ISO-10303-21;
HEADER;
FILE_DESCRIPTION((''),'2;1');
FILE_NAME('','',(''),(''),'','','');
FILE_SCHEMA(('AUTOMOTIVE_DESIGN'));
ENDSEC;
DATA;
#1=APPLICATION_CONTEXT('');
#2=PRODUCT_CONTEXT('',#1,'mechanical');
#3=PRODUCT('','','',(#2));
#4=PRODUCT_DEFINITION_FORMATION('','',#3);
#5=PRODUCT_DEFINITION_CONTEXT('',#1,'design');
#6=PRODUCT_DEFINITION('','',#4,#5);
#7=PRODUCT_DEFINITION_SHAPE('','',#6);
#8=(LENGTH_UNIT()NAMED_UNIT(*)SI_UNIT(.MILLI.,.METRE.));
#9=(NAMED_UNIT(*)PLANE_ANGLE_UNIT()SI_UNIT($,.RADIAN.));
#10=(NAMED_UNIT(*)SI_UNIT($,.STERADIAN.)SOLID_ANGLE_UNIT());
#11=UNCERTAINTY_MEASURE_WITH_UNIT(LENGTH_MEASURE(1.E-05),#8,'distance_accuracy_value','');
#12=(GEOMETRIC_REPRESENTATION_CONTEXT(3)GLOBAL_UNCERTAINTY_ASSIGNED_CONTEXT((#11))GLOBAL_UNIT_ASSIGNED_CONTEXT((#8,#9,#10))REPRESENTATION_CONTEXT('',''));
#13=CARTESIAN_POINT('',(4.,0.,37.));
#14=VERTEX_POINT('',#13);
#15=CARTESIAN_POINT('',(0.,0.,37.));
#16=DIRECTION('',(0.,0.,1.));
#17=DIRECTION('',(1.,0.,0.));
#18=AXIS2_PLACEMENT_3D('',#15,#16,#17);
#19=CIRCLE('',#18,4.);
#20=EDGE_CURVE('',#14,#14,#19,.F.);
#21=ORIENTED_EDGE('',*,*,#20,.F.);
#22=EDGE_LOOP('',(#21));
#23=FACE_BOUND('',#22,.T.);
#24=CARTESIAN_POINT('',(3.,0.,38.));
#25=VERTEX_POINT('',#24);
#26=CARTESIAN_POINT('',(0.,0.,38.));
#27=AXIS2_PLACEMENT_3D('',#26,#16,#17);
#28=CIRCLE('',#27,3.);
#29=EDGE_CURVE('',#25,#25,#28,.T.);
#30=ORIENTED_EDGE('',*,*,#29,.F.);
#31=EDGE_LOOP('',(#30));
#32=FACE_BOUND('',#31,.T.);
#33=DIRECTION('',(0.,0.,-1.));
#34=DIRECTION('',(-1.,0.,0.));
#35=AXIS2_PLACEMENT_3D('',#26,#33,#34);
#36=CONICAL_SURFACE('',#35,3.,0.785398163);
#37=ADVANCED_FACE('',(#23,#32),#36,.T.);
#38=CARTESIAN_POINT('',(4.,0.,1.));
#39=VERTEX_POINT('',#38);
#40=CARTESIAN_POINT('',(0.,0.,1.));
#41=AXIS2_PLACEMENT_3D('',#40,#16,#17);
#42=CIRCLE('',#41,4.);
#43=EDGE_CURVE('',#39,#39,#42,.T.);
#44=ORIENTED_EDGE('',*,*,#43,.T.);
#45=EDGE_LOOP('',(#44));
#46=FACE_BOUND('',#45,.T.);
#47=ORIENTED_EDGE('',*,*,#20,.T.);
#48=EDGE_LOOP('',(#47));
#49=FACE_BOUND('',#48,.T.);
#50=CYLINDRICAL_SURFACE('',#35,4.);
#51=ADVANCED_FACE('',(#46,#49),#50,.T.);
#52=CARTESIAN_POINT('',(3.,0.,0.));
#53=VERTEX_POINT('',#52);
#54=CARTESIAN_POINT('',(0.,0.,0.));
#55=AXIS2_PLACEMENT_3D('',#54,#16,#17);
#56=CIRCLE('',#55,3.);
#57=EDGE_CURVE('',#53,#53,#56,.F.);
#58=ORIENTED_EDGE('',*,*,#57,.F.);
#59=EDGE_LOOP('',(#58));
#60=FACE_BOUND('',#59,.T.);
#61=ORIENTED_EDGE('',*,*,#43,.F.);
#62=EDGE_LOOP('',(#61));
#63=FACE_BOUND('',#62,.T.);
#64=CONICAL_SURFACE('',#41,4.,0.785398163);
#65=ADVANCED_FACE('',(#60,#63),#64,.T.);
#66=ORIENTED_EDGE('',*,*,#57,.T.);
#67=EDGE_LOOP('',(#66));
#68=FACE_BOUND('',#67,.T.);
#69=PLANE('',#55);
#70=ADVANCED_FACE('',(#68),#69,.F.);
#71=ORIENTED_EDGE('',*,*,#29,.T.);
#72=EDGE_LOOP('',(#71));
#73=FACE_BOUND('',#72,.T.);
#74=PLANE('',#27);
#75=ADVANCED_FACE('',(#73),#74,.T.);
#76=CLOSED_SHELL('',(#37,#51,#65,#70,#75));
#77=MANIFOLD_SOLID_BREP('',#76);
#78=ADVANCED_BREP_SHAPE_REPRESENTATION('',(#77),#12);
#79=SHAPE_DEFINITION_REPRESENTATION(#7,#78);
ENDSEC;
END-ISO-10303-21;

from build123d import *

# Parameters (mm, degrees)
SKETCH1_R           = 4
BOSS_EXTRUDE1_DEPTH = 38
CHAMFER1_SIZE       = 1


with BuildPart() as part:
    # Sketch1 → Boss-Extrude1 (new body)
    with BuildSketch(Plane.XY):
        Circle(SKETCH1_R)
    extrude(amount=BOSS_EXTRUDE1_DEPTH)

    # Chamfer1
    chamfer1_edges = [part.edges().sort_by_distance(p)[0] for p in [
        (-4, 0, 0),
        (-4, 0, 38),
    ]]
    chamfer(chamfer1_edges, length=CHAMFER1_SIZE)


solid = part.part
